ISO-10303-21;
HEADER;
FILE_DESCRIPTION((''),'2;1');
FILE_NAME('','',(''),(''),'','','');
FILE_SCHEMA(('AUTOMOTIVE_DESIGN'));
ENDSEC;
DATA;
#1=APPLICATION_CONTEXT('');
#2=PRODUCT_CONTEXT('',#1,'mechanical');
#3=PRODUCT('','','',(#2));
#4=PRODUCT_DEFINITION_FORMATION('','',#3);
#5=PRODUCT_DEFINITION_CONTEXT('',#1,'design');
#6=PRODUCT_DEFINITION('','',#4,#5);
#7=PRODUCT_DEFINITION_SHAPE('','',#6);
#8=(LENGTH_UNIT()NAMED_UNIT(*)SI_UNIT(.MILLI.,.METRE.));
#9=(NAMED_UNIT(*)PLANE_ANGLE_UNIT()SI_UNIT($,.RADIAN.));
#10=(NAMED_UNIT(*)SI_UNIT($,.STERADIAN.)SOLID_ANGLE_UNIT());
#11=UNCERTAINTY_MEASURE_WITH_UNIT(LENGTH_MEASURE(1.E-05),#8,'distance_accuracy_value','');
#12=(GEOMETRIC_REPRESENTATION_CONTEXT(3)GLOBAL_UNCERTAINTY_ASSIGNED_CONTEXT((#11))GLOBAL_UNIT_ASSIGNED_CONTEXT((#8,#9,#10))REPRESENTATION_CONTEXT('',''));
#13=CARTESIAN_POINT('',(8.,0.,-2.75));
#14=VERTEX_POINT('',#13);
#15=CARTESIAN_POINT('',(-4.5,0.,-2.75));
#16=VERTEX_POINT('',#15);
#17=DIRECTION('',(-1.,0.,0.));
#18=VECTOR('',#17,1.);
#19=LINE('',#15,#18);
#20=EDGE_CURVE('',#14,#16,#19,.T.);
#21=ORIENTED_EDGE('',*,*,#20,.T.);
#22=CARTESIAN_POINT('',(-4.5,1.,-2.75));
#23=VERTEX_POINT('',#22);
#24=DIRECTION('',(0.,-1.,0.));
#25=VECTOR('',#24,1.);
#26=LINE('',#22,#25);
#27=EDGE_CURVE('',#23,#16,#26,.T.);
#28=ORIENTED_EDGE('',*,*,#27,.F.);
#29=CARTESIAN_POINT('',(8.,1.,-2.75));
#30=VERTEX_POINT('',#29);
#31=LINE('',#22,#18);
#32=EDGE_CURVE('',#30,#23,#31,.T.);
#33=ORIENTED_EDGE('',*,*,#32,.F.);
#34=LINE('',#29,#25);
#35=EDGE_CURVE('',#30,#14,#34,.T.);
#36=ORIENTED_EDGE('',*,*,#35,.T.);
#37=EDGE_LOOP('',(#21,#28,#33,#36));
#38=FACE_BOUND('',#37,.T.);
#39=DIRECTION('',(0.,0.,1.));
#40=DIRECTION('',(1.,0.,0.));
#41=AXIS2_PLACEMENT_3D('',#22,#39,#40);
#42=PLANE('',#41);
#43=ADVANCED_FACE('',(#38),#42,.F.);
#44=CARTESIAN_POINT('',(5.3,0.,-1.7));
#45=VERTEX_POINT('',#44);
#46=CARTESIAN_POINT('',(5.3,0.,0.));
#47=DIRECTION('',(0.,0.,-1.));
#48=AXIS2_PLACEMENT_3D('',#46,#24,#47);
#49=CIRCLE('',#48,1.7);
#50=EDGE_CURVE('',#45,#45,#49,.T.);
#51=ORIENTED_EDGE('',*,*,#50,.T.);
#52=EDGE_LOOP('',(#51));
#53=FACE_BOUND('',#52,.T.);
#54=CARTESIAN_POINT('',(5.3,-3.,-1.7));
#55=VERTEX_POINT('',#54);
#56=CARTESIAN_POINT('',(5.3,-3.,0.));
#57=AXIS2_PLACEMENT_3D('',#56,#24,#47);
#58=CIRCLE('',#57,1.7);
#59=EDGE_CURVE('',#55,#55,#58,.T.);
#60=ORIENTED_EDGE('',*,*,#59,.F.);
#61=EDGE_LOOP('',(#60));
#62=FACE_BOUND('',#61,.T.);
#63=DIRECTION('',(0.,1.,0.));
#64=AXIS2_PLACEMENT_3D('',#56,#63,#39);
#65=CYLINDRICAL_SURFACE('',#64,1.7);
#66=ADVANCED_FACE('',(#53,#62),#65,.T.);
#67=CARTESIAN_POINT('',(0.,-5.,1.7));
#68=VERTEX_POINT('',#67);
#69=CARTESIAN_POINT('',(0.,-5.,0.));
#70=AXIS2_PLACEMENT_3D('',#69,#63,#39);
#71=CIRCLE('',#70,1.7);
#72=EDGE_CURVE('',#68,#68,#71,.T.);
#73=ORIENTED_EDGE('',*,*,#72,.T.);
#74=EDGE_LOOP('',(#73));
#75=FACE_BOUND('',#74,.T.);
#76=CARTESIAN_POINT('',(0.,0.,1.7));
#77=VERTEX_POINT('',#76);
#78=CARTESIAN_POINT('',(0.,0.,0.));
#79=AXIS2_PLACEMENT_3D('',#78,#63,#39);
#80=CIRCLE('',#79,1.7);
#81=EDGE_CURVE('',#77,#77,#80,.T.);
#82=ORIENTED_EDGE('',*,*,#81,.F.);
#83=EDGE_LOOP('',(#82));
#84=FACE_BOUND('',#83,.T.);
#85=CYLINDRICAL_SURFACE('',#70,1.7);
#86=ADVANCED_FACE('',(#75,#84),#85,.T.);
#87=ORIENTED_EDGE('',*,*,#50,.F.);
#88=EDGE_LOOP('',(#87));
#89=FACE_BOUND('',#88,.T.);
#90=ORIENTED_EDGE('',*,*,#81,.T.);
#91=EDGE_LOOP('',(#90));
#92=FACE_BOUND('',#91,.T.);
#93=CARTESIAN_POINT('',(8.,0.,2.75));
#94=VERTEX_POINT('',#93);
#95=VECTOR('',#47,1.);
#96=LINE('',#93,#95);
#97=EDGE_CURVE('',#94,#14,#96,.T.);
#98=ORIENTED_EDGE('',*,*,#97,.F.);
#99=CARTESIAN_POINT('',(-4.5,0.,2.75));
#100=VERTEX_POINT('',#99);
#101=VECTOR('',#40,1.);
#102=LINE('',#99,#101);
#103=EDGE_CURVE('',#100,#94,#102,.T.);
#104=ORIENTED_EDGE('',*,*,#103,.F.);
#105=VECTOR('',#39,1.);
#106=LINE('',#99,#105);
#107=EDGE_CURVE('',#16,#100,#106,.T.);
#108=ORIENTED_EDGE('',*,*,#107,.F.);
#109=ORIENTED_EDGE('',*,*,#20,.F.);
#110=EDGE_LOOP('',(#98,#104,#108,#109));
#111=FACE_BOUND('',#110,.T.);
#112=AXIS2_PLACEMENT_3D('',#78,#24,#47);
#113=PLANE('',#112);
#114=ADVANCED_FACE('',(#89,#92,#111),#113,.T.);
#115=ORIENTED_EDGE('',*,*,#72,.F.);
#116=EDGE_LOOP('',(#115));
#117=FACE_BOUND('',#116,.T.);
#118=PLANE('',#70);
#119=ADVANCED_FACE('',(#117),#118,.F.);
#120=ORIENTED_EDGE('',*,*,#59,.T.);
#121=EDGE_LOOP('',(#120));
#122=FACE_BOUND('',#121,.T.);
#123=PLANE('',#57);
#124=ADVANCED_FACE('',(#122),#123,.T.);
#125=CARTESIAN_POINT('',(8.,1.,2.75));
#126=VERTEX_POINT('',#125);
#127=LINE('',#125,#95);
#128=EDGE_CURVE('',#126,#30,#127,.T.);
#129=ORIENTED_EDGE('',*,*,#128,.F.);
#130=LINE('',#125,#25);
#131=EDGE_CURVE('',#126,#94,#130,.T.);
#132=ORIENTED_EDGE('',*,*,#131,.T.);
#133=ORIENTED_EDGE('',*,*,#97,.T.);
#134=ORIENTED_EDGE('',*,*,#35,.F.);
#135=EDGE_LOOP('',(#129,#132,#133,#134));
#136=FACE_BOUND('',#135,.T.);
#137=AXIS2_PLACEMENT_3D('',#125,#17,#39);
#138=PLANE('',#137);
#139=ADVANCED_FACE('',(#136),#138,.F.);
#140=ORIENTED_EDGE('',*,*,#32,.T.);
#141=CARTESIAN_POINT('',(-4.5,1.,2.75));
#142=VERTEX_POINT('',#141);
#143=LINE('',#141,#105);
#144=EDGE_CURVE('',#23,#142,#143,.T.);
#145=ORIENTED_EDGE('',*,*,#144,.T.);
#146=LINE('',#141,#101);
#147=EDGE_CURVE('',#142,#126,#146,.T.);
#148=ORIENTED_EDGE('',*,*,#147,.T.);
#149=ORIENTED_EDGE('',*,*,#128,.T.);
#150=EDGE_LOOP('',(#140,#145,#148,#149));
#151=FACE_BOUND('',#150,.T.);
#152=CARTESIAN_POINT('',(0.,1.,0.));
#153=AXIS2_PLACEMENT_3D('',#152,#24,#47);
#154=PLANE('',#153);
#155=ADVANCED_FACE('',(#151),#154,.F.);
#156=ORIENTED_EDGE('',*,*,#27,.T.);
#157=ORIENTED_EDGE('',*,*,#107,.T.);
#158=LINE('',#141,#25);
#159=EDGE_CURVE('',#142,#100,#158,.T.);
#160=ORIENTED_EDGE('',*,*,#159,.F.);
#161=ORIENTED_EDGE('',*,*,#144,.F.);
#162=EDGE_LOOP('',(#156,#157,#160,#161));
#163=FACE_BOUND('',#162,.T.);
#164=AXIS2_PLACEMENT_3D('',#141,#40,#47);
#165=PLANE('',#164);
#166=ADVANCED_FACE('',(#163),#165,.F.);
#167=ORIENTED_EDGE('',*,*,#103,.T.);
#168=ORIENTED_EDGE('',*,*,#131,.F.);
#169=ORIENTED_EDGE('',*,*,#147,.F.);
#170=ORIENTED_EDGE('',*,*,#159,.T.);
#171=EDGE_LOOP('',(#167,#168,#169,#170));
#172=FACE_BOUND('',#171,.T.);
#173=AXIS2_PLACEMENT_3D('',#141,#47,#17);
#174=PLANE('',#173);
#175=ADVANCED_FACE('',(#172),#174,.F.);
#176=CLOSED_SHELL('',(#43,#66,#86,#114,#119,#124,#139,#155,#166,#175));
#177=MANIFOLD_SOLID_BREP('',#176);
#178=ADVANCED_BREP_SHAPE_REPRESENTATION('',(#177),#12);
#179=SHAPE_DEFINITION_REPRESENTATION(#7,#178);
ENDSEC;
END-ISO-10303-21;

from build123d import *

# Parameters (mm, degrees)
SKETCH_2_R      = 1.7
EXTRUDE_1_DEPTH = 5
SKETCH_9_W      = 12.5
SKETCH_9_H      = 5.5
EXTRUDE_5_DEPTH = 1
SKETCH_11_R     = 1.7
EXTRUDE_6_DEPTH = 3


with BuildPart() as part:
    # 草图2 → 凸台-拉伸1 (new body)
    with BuildSketch(Plane(origin=(0, 0, 0), x_dir=(1, 0, 0), z_dir=(0, 1, 0))):
        with Locations(Location((0, 0, 0), (0, 0, 270))):
            Circle(SKETCH_2_R)
    extrude(amount=-EXTRUDE_1_DEPTH)

    # 草图9 → 凸台-拉伸5 (add)
    with BuildSketch(Plane(origin=(0, 0, 0), x_dir=(1, 0, 0), z_dir=(0, 1, 0))):
        with Locations((1.75, 0)):
            Rectangle(SKETCH_9_W, SKETCH_9_H)
    extrude(amount=EXTRUDE_5_DEPTH)

    # 草图11 → 凸台-拉伸6 (add)
    with BuildSketch(Plane.XZ):
        with Locations(Location((5.3, 0, 0), (0, 0, 270))):
            Circle(SKETCH_11_R)
    extrude(amount=EXTRUDE_6_DEPTH)


solid = part.part
